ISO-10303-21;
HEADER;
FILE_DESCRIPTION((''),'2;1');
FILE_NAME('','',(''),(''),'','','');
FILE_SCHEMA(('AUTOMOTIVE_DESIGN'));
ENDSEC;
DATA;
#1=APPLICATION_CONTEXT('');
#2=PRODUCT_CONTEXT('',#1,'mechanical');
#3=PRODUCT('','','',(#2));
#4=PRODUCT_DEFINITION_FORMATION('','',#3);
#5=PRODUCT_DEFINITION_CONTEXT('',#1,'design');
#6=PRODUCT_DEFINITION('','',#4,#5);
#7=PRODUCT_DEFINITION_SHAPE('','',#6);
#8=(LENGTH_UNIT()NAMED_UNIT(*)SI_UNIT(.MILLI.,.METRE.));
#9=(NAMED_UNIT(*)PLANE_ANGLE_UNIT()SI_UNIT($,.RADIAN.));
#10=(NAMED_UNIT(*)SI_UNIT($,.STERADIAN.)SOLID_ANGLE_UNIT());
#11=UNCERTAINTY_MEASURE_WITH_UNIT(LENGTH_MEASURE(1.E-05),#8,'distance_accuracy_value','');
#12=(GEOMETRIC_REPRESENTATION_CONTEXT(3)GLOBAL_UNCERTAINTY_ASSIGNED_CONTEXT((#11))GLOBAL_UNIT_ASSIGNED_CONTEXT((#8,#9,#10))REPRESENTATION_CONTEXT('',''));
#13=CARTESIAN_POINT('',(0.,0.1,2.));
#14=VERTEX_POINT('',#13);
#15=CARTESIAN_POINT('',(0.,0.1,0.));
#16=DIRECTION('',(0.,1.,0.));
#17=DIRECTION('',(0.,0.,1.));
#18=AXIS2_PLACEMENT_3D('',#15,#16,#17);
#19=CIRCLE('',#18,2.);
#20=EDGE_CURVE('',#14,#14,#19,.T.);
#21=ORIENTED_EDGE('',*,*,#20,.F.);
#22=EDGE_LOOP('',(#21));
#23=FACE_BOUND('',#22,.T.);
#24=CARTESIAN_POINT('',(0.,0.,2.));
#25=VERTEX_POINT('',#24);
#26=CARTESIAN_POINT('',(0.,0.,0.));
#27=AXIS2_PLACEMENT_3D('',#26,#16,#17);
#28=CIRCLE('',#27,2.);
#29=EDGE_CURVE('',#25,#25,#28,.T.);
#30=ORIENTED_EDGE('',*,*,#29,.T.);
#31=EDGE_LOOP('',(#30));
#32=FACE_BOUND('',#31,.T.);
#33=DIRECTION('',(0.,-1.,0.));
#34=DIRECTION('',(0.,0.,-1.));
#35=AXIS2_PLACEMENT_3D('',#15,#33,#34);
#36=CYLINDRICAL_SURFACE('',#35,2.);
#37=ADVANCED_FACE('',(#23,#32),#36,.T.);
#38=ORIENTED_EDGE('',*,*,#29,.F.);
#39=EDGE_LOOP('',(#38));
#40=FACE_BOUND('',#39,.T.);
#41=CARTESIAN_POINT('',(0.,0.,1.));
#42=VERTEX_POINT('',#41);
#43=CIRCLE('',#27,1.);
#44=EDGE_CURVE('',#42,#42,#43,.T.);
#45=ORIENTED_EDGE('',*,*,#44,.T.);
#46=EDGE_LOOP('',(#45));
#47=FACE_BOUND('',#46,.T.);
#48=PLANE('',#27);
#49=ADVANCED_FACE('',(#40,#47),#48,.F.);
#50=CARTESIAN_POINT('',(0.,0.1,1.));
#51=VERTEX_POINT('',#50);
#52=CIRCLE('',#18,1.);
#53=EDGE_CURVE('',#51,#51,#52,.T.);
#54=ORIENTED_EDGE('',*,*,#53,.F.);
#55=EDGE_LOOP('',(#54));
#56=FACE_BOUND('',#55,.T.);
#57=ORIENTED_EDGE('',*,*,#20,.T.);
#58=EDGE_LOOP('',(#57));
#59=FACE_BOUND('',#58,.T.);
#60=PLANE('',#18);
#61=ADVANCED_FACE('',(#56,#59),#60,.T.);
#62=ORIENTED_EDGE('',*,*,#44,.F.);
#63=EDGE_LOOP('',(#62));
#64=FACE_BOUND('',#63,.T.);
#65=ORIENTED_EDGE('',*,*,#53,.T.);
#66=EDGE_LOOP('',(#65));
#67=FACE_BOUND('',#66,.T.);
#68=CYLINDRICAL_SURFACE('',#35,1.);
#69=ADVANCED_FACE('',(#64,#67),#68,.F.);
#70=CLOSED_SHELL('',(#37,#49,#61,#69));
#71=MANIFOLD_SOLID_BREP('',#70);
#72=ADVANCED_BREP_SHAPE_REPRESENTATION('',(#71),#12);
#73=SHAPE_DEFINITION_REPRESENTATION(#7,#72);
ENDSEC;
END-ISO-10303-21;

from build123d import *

# Parameters (mm, degrees)
SKETCH_1_R      = 2
SKETCH_1_R_2    = 1
EXTRUDE_1_DEPTH = 0.1


with BuildPart() as part:
    # 草图1 → 凸台-拉伸1 (new body)
    with BuildSketch(Plane(origin=(0, 0, 0), x_dir=(1, 0, 0), z_dir=(0, 1, 0))):
        with Locations(Location((0, 0, 0), (0, 0, 270))):
            Circle(SKETCH_1_R)
        with Locations(Location((0, 0, 0), (0, 0, 270))):
            Circle(SKETCH_1_R_2, mode=Mode.SUBTRACT)
    extrude(amount=EXTRUDE_1_DEPTH)


solid = part.part
